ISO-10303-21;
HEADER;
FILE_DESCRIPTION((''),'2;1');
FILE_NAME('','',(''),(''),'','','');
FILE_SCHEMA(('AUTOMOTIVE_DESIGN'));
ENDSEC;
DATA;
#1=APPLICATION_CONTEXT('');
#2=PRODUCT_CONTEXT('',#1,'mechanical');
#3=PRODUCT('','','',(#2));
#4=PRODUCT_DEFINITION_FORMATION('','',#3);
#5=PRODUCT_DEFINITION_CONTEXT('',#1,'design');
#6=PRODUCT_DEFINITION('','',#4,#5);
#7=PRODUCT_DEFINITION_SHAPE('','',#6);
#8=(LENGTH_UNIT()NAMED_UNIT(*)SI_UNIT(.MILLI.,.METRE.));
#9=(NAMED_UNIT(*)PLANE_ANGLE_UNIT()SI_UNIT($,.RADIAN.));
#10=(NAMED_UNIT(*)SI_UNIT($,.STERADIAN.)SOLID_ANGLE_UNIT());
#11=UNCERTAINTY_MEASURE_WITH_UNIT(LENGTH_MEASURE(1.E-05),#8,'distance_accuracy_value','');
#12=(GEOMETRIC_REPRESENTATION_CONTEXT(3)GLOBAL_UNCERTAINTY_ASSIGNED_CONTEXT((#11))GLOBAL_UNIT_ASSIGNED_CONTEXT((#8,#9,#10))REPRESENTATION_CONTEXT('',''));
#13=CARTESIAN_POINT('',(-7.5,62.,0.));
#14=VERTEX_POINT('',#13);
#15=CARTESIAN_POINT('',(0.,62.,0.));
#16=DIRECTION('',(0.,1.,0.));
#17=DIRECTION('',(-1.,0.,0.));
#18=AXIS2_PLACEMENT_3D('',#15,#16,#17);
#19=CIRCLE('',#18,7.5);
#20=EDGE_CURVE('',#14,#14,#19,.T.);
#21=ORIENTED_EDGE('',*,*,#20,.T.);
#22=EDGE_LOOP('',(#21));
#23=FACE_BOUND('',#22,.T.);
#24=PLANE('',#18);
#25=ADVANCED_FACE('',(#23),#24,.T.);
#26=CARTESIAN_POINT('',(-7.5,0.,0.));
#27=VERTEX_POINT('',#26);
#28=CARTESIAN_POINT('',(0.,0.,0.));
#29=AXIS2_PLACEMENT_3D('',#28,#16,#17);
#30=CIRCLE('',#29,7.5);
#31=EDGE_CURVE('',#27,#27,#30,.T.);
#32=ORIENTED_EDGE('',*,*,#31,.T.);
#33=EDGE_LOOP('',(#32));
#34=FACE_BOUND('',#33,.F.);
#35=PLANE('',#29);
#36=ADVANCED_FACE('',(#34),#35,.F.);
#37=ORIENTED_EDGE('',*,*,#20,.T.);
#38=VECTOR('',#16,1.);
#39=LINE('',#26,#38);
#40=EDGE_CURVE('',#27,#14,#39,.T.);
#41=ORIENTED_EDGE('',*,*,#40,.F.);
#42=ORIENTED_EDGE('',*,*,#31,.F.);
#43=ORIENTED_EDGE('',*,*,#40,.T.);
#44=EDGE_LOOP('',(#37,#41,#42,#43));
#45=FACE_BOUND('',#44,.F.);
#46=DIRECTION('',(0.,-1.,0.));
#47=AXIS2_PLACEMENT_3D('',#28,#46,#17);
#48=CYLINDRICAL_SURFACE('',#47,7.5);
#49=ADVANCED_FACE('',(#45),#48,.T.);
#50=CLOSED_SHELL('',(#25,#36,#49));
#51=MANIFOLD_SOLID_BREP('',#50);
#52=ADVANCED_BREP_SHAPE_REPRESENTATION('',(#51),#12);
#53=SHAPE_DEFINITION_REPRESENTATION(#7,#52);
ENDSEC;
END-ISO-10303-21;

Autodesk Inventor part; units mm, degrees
ref_plane "XZ Plane" through (0, 0, 0) normal (0, 1, 0) x (-1, 0, 0)
sketch "Sketch1" plane through (0, 0, 0) normal (0, 1, 0) x (-1, 0, 0)
  circle A0 centre (0, 0) radius 7.5
  arc A1 (5, 5.5902) -> (-5, 5.5902) centre (0, 0) ccw construction
extrude "Extrusion1" add sketch "Sketch1" along normal blind 62
properties part number "ForearmActuatorBodyBoundingBox"
